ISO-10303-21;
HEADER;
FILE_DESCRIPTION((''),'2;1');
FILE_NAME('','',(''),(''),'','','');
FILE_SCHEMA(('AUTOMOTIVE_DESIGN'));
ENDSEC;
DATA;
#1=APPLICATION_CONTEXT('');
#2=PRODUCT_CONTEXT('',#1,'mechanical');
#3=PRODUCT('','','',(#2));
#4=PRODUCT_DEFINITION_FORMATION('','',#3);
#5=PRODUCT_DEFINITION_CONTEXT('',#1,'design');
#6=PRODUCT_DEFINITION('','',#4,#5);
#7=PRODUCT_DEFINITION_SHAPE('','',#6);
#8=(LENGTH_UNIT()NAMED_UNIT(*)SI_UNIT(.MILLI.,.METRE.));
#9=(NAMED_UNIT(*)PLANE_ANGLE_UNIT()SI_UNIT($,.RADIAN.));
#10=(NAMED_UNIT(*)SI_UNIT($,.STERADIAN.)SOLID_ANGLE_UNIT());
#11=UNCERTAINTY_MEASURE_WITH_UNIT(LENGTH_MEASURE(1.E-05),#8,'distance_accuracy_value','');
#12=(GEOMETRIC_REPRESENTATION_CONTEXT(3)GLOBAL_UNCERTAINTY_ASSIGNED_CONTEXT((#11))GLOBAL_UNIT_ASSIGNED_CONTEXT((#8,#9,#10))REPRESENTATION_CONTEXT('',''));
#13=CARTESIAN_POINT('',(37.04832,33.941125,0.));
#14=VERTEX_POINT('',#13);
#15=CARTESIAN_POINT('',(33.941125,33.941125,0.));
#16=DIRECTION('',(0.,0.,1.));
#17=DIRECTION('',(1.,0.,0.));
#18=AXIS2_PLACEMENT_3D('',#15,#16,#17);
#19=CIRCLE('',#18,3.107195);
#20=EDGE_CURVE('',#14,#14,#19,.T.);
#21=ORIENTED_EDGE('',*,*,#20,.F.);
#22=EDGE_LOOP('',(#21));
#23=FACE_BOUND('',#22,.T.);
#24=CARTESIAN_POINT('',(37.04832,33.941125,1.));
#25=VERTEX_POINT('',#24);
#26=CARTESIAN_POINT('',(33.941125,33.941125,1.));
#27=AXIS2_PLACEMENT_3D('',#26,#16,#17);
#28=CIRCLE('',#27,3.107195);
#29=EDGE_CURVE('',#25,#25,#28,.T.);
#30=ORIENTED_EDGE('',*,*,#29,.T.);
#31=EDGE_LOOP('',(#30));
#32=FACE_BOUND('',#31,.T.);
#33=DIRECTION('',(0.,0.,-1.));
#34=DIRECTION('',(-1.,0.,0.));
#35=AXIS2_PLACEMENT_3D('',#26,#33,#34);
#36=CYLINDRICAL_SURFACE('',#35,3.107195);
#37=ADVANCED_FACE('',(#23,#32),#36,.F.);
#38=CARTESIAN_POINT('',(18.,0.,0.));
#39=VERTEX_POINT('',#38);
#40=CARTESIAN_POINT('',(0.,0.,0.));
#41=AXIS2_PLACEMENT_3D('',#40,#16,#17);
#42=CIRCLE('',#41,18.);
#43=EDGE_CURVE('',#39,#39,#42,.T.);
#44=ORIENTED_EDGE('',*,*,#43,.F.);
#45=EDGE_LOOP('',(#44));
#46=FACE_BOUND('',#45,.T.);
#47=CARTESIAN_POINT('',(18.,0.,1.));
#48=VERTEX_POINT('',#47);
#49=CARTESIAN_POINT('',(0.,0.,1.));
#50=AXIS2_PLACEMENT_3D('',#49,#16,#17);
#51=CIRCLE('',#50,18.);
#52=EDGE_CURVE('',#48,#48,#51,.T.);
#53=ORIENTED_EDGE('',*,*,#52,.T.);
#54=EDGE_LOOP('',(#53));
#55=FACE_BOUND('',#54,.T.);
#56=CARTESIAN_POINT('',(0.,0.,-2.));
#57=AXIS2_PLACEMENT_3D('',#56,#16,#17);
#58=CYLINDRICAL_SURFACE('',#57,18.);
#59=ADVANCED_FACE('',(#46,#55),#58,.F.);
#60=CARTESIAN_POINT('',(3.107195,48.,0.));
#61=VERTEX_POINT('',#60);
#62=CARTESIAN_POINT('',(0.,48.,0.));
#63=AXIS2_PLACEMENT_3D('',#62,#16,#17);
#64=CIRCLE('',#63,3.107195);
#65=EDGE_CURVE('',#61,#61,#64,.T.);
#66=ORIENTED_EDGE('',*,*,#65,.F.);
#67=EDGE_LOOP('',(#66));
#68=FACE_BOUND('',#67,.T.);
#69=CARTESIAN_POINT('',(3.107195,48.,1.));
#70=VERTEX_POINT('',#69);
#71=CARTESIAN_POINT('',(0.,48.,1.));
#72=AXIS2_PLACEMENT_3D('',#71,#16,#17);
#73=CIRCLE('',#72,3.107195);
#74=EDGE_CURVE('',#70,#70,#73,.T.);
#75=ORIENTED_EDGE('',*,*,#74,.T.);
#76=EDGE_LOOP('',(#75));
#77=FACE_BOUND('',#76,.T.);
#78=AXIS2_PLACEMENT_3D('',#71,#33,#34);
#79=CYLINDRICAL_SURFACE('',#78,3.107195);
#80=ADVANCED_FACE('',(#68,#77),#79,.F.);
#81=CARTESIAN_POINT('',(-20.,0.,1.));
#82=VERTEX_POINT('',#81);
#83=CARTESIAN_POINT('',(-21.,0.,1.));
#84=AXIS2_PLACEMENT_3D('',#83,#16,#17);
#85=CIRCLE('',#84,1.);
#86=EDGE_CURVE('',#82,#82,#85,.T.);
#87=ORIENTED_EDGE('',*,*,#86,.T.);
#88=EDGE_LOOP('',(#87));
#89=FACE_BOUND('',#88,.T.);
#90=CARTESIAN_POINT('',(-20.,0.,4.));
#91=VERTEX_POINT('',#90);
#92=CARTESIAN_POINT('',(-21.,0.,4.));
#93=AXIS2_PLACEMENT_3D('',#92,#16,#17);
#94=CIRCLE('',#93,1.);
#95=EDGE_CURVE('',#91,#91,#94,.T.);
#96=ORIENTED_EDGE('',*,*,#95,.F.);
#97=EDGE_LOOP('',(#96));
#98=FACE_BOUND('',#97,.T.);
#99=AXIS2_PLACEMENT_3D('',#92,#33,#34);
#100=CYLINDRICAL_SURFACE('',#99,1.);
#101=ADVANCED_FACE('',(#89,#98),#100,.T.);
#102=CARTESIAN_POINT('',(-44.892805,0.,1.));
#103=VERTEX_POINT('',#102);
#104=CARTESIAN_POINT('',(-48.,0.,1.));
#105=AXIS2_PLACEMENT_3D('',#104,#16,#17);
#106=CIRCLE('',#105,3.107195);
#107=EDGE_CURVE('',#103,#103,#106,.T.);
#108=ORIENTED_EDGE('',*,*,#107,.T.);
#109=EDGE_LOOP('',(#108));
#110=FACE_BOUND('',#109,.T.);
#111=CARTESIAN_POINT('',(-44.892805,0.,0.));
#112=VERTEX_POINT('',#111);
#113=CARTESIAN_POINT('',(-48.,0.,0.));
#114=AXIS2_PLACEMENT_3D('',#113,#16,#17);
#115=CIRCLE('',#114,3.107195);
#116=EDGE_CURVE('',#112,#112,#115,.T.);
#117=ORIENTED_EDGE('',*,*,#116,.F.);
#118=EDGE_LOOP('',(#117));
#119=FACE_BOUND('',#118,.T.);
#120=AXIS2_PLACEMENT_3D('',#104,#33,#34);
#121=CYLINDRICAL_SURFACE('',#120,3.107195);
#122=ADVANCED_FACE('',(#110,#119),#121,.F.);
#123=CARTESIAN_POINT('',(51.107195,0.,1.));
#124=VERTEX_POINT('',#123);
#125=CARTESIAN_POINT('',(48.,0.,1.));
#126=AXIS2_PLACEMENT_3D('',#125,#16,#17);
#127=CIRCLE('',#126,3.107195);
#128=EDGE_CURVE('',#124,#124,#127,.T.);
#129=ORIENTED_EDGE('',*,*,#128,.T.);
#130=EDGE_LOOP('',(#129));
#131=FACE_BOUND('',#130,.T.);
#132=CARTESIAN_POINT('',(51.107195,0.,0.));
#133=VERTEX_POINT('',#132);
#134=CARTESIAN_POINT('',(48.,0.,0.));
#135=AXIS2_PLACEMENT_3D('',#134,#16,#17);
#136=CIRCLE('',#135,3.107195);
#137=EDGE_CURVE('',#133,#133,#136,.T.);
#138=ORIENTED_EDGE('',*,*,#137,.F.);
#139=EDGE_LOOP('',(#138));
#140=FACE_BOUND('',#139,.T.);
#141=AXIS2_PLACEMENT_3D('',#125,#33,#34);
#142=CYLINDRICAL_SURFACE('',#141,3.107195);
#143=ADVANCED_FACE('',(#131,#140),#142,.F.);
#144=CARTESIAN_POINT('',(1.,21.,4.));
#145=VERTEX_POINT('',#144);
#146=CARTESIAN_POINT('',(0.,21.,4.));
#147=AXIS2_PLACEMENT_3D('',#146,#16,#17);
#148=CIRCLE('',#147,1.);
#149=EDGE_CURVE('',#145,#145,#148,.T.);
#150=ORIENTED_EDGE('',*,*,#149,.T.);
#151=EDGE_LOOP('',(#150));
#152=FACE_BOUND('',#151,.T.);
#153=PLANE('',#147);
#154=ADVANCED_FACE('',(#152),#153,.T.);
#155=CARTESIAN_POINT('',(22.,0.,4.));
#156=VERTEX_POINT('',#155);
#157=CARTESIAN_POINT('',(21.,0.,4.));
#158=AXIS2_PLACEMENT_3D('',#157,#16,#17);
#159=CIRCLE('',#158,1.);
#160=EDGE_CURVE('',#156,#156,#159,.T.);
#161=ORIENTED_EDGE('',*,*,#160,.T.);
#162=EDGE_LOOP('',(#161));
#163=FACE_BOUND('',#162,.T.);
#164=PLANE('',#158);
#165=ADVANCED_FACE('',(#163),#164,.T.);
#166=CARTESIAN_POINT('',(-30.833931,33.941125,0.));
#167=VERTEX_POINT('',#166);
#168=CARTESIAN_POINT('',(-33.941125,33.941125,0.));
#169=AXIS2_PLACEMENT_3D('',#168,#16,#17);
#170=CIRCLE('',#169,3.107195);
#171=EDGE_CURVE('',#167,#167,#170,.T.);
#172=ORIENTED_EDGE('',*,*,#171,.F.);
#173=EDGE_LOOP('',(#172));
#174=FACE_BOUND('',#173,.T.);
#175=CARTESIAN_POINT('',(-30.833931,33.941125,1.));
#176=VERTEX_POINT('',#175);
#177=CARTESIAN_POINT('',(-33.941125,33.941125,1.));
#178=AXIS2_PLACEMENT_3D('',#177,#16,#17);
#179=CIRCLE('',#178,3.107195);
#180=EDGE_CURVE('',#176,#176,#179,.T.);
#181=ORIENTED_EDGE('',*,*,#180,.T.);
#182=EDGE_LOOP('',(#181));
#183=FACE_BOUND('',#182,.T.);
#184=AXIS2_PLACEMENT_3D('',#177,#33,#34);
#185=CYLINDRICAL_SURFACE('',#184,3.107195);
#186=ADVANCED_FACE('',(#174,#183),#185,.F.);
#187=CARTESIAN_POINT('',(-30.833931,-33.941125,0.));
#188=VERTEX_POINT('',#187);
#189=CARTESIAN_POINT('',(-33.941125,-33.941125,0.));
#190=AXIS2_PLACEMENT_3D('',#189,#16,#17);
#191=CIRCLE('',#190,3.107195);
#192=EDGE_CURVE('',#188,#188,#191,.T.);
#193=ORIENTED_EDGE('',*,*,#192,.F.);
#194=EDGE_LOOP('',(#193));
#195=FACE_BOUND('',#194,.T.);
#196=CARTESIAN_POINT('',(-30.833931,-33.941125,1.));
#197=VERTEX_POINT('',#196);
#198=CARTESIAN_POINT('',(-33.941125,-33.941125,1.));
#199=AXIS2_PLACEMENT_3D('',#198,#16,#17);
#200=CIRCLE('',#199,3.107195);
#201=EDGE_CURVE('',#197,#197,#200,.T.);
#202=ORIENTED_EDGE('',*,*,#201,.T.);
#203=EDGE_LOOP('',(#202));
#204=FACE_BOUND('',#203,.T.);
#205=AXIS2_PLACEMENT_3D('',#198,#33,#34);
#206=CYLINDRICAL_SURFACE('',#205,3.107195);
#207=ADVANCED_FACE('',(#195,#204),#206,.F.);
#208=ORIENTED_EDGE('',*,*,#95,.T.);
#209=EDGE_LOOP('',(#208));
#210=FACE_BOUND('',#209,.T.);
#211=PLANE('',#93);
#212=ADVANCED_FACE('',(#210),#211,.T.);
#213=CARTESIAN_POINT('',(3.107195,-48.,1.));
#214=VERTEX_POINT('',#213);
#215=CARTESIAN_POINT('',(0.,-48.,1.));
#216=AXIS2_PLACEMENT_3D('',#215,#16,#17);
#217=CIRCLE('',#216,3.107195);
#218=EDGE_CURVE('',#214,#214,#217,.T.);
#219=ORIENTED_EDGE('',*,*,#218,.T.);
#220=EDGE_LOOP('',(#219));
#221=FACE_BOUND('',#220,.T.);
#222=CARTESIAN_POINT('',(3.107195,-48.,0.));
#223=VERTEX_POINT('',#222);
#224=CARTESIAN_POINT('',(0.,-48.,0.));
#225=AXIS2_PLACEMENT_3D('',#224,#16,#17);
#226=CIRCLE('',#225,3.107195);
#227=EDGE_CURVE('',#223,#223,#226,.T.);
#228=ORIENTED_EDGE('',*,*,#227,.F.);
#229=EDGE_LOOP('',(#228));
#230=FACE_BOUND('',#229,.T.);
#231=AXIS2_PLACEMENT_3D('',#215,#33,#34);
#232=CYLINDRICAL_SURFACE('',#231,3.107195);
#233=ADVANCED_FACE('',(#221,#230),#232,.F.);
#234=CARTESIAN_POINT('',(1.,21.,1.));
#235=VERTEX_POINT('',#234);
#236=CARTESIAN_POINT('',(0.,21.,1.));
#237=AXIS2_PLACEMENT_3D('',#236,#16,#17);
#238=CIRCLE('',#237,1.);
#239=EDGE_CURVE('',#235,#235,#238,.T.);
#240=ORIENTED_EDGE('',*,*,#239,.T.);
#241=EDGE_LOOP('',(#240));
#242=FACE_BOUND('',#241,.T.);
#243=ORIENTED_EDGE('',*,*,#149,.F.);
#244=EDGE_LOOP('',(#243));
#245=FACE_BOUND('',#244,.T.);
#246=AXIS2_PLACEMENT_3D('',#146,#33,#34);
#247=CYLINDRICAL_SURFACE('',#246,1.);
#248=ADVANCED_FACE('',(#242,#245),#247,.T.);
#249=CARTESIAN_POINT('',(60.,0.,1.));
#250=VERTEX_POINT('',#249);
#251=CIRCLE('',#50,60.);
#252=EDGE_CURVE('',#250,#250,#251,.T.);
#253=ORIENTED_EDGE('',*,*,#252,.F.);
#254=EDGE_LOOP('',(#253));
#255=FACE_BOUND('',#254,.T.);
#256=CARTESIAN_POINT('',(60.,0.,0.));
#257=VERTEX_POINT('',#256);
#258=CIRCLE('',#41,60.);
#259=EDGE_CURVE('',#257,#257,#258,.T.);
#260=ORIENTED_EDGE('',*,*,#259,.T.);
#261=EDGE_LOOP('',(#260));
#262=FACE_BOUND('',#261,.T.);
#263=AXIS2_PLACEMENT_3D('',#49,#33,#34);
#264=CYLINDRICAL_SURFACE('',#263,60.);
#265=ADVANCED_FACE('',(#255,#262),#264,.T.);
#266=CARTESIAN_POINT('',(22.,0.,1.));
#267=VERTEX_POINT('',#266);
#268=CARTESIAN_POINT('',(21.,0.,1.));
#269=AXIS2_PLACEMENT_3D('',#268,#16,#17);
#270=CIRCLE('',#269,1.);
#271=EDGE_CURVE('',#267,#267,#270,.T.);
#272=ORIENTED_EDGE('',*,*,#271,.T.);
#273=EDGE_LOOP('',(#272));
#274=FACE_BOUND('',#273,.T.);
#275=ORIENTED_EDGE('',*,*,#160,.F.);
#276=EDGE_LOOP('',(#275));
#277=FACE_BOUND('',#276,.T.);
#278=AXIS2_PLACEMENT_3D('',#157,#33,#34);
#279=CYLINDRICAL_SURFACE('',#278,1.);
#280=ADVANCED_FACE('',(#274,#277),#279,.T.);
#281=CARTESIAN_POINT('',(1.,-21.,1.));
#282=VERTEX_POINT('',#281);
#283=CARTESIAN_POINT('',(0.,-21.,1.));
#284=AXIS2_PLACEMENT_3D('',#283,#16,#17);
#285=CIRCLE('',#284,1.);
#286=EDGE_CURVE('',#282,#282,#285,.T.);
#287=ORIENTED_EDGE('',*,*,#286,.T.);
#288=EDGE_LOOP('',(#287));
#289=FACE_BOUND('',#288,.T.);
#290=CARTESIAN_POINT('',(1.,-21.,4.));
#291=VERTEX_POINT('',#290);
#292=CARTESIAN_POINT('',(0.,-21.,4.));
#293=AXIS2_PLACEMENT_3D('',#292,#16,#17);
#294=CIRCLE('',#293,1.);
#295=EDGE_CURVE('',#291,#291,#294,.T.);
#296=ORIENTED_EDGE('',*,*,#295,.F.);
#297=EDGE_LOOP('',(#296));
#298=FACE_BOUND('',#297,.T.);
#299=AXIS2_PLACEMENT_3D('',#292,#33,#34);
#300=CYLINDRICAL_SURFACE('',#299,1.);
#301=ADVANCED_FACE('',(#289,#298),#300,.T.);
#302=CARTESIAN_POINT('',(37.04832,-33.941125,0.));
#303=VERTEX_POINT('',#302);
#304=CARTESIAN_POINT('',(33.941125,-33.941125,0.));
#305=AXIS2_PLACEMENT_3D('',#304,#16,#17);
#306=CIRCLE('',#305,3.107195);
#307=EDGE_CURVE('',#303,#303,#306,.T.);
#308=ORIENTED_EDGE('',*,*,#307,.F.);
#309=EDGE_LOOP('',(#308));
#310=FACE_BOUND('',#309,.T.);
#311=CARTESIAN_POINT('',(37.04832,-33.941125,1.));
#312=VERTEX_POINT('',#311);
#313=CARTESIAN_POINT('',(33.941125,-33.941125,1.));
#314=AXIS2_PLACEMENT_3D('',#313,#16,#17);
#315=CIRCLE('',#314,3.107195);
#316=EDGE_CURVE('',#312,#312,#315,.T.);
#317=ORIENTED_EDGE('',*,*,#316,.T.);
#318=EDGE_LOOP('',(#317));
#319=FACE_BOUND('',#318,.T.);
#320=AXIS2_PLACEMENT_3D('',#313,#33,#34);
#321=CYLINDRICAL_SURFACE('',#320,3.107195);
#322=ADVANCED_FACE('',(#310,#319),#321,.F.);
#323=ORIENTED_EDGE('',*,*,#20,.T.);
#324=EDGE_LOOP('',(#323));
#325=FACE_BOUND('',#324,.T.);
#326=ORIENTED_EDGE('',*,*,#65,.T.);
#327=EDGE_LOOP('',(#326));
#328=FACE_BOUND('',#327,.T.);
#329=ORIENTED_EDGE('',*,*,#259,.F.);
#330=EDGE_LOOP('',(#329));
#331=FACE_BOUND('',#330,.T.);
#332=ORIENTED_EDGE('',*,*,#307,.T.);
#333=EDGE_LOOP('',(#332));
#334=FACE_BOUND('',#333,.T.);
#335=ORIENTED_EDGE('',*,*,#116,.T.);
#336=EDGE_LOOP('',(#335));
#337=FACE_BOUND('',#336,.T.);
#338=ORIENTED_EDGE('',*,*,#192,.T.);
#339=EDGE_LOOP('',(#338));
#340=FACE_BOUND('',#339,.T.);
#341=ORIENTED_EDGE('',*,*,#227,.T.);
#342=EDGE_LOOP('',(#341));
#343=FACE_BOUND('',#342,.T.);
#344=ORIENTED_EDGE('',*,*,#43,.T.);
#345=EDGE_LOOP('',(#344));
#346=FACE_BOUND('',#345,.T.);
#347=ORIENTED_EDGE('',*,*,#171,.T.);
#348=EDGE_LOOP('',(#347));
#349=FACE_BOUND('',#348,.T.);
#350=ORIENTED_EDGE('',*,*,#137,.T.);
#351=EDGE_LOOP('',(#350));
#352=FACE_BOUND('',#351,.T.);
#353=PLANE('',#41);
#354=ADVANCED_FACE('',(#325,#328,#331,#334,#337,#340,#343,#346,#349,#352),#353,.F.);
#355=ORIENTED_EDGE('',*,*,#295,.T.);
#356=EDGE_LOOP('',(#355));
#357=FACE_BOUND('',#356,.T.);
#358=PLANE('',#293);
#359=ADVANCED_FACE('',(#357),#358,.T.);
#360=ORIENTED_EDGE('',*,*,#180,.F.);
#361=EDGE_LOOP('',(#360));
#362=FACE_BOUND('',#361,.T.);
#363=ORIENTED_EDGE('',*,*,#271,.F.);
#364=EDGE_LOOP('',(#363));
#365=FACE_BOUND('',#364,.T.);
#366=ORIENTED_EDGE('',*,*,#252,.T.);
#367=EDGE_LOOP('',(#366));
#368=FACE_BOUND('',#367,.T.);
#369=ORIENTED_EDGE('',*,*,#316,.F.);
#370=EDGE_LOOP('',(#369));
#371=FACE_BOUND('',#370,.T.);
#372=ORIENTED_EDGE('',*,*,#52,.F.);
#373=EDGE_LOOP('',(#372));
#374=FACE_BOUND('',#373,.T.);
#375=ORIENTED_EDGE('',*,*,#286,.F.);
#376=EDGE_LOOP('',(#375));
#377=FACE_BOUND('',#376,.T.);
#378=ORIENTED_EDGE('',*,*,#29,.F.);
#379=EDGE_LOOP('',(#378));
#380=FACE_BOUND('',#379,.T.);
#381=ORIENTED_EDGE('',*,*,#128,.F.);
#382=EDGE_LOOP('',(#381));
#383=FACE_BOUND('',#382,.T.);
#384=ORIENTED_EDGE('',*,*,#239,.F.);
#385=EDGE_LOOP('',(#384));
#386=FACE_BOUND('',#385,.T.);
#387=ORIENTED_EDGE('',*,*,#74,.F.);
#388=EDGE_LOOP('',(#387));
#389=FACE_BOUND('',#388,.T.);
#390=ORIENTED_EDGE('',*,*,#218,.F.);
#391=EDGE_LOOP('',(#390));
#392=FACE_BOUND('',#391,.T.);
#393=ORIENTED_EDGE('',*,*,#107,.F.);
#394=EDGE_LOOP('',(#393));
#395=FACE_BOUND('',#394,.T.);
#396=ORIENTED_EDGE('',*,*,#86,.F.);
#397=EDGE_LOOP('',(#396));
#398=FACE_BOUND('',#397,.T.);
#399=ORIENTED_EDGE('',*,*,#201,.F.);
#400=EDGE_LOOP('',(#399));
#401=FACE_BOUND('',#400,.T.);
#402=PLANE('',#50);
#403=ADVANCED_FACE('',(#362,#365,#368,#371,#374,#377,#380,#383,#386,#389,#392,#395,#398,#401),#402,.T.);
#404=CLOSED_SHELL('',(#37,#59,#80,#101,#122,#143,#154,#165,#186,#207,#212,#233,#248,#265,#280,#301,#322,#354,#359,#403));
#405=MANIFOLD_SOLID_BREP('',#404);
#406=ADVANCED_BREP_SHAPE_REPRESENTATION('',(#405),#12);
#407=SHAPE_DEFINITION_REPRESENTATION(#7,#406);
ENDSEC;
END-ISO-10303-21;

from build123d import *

# Parameters (mm, degrees)
SKETCH1_R           = 60
SKETCH1_R_2         = 12.7
SKETCH1_R_3         = 3.107194875
BOSS_EXTRUDE4_DEPTH = 1
SKETCH4_R           = 1
BOSS_EXTRUDE5_DEPTH = 3
SKETCH5_R           = 18
CUT_EXTRUDE1_DEPTH  = 3


with BuildPart() as part:
    # Sketch1 → Boss-Extrude4 (new body)
    with BuildSketch(Plane.XY):
        Circle(SKETCH1_R)
        Circle(SKETCH1_R_2, mode=Mode.SUBTRACT)
        with Locations((0, 48)):
            Circle(SKETCH1_R_3, mode=Mode.SUBTRACT)
        with Locations((33.941125497, 33.941125497)):
            Circle(SKETCH1_R_3, mode=Mode.SUBTRACT)
        with Locations((48, 0)):
            Circle(SKETCH1_R_3, mode=Mode.SUBTRACT)
        with Locations((33.941125497, -33.941125497)):
            Circle(SKETCH1_R_3, mode=Mode.SUBTRACT)
        with Locations((0, -48)):
            Circle(SKETCH1_R_3, mode=Mode.SUBTRACT)
        with Locations((-33.941125497, -33.941125497)):
            Circle(SKETCH1_R_3, mode=Mode.SUBTRACT)
        with Locations((-48, 0)):
            Circle(SKETCH1_R_3, mode=Mode.SUBTRACT)
        with Locations((-33.941125497, 33.941125497)):
            Circle(SKETCH1_R_3, mode=Mode.SUBTRACT)
    extrude(amount=BOSS_EXTRUDE4_DEPTH)

    # Sketch4 → Boss-Extrude5 (add)
    with BuildSketch(Plane.XY.offset(1)):
        with Locations((0, 21)):
            Circle(SKETCH4_R)
        with Locations((21, 0)):
            Circle(SKETCH4_R)
        with Locations((0, -21)):
            Circle(SKETCH4_R)
        with Locations((-21, 0)):
            Circle(SKETCH4_R)
    extrude(amount=BOSS_EXTRUDE5_DEPTH)

    # Sketch5 → Cut-Extrude1 (cut)
    with BuildSketch(Plane.XY.offset(1)):
        Circle(SKETCH5_R)
    extrude(amount=-CUT_EXTRUDE1_DEPTH, mode=Mode.SUBTRACT)


solid = part.part
